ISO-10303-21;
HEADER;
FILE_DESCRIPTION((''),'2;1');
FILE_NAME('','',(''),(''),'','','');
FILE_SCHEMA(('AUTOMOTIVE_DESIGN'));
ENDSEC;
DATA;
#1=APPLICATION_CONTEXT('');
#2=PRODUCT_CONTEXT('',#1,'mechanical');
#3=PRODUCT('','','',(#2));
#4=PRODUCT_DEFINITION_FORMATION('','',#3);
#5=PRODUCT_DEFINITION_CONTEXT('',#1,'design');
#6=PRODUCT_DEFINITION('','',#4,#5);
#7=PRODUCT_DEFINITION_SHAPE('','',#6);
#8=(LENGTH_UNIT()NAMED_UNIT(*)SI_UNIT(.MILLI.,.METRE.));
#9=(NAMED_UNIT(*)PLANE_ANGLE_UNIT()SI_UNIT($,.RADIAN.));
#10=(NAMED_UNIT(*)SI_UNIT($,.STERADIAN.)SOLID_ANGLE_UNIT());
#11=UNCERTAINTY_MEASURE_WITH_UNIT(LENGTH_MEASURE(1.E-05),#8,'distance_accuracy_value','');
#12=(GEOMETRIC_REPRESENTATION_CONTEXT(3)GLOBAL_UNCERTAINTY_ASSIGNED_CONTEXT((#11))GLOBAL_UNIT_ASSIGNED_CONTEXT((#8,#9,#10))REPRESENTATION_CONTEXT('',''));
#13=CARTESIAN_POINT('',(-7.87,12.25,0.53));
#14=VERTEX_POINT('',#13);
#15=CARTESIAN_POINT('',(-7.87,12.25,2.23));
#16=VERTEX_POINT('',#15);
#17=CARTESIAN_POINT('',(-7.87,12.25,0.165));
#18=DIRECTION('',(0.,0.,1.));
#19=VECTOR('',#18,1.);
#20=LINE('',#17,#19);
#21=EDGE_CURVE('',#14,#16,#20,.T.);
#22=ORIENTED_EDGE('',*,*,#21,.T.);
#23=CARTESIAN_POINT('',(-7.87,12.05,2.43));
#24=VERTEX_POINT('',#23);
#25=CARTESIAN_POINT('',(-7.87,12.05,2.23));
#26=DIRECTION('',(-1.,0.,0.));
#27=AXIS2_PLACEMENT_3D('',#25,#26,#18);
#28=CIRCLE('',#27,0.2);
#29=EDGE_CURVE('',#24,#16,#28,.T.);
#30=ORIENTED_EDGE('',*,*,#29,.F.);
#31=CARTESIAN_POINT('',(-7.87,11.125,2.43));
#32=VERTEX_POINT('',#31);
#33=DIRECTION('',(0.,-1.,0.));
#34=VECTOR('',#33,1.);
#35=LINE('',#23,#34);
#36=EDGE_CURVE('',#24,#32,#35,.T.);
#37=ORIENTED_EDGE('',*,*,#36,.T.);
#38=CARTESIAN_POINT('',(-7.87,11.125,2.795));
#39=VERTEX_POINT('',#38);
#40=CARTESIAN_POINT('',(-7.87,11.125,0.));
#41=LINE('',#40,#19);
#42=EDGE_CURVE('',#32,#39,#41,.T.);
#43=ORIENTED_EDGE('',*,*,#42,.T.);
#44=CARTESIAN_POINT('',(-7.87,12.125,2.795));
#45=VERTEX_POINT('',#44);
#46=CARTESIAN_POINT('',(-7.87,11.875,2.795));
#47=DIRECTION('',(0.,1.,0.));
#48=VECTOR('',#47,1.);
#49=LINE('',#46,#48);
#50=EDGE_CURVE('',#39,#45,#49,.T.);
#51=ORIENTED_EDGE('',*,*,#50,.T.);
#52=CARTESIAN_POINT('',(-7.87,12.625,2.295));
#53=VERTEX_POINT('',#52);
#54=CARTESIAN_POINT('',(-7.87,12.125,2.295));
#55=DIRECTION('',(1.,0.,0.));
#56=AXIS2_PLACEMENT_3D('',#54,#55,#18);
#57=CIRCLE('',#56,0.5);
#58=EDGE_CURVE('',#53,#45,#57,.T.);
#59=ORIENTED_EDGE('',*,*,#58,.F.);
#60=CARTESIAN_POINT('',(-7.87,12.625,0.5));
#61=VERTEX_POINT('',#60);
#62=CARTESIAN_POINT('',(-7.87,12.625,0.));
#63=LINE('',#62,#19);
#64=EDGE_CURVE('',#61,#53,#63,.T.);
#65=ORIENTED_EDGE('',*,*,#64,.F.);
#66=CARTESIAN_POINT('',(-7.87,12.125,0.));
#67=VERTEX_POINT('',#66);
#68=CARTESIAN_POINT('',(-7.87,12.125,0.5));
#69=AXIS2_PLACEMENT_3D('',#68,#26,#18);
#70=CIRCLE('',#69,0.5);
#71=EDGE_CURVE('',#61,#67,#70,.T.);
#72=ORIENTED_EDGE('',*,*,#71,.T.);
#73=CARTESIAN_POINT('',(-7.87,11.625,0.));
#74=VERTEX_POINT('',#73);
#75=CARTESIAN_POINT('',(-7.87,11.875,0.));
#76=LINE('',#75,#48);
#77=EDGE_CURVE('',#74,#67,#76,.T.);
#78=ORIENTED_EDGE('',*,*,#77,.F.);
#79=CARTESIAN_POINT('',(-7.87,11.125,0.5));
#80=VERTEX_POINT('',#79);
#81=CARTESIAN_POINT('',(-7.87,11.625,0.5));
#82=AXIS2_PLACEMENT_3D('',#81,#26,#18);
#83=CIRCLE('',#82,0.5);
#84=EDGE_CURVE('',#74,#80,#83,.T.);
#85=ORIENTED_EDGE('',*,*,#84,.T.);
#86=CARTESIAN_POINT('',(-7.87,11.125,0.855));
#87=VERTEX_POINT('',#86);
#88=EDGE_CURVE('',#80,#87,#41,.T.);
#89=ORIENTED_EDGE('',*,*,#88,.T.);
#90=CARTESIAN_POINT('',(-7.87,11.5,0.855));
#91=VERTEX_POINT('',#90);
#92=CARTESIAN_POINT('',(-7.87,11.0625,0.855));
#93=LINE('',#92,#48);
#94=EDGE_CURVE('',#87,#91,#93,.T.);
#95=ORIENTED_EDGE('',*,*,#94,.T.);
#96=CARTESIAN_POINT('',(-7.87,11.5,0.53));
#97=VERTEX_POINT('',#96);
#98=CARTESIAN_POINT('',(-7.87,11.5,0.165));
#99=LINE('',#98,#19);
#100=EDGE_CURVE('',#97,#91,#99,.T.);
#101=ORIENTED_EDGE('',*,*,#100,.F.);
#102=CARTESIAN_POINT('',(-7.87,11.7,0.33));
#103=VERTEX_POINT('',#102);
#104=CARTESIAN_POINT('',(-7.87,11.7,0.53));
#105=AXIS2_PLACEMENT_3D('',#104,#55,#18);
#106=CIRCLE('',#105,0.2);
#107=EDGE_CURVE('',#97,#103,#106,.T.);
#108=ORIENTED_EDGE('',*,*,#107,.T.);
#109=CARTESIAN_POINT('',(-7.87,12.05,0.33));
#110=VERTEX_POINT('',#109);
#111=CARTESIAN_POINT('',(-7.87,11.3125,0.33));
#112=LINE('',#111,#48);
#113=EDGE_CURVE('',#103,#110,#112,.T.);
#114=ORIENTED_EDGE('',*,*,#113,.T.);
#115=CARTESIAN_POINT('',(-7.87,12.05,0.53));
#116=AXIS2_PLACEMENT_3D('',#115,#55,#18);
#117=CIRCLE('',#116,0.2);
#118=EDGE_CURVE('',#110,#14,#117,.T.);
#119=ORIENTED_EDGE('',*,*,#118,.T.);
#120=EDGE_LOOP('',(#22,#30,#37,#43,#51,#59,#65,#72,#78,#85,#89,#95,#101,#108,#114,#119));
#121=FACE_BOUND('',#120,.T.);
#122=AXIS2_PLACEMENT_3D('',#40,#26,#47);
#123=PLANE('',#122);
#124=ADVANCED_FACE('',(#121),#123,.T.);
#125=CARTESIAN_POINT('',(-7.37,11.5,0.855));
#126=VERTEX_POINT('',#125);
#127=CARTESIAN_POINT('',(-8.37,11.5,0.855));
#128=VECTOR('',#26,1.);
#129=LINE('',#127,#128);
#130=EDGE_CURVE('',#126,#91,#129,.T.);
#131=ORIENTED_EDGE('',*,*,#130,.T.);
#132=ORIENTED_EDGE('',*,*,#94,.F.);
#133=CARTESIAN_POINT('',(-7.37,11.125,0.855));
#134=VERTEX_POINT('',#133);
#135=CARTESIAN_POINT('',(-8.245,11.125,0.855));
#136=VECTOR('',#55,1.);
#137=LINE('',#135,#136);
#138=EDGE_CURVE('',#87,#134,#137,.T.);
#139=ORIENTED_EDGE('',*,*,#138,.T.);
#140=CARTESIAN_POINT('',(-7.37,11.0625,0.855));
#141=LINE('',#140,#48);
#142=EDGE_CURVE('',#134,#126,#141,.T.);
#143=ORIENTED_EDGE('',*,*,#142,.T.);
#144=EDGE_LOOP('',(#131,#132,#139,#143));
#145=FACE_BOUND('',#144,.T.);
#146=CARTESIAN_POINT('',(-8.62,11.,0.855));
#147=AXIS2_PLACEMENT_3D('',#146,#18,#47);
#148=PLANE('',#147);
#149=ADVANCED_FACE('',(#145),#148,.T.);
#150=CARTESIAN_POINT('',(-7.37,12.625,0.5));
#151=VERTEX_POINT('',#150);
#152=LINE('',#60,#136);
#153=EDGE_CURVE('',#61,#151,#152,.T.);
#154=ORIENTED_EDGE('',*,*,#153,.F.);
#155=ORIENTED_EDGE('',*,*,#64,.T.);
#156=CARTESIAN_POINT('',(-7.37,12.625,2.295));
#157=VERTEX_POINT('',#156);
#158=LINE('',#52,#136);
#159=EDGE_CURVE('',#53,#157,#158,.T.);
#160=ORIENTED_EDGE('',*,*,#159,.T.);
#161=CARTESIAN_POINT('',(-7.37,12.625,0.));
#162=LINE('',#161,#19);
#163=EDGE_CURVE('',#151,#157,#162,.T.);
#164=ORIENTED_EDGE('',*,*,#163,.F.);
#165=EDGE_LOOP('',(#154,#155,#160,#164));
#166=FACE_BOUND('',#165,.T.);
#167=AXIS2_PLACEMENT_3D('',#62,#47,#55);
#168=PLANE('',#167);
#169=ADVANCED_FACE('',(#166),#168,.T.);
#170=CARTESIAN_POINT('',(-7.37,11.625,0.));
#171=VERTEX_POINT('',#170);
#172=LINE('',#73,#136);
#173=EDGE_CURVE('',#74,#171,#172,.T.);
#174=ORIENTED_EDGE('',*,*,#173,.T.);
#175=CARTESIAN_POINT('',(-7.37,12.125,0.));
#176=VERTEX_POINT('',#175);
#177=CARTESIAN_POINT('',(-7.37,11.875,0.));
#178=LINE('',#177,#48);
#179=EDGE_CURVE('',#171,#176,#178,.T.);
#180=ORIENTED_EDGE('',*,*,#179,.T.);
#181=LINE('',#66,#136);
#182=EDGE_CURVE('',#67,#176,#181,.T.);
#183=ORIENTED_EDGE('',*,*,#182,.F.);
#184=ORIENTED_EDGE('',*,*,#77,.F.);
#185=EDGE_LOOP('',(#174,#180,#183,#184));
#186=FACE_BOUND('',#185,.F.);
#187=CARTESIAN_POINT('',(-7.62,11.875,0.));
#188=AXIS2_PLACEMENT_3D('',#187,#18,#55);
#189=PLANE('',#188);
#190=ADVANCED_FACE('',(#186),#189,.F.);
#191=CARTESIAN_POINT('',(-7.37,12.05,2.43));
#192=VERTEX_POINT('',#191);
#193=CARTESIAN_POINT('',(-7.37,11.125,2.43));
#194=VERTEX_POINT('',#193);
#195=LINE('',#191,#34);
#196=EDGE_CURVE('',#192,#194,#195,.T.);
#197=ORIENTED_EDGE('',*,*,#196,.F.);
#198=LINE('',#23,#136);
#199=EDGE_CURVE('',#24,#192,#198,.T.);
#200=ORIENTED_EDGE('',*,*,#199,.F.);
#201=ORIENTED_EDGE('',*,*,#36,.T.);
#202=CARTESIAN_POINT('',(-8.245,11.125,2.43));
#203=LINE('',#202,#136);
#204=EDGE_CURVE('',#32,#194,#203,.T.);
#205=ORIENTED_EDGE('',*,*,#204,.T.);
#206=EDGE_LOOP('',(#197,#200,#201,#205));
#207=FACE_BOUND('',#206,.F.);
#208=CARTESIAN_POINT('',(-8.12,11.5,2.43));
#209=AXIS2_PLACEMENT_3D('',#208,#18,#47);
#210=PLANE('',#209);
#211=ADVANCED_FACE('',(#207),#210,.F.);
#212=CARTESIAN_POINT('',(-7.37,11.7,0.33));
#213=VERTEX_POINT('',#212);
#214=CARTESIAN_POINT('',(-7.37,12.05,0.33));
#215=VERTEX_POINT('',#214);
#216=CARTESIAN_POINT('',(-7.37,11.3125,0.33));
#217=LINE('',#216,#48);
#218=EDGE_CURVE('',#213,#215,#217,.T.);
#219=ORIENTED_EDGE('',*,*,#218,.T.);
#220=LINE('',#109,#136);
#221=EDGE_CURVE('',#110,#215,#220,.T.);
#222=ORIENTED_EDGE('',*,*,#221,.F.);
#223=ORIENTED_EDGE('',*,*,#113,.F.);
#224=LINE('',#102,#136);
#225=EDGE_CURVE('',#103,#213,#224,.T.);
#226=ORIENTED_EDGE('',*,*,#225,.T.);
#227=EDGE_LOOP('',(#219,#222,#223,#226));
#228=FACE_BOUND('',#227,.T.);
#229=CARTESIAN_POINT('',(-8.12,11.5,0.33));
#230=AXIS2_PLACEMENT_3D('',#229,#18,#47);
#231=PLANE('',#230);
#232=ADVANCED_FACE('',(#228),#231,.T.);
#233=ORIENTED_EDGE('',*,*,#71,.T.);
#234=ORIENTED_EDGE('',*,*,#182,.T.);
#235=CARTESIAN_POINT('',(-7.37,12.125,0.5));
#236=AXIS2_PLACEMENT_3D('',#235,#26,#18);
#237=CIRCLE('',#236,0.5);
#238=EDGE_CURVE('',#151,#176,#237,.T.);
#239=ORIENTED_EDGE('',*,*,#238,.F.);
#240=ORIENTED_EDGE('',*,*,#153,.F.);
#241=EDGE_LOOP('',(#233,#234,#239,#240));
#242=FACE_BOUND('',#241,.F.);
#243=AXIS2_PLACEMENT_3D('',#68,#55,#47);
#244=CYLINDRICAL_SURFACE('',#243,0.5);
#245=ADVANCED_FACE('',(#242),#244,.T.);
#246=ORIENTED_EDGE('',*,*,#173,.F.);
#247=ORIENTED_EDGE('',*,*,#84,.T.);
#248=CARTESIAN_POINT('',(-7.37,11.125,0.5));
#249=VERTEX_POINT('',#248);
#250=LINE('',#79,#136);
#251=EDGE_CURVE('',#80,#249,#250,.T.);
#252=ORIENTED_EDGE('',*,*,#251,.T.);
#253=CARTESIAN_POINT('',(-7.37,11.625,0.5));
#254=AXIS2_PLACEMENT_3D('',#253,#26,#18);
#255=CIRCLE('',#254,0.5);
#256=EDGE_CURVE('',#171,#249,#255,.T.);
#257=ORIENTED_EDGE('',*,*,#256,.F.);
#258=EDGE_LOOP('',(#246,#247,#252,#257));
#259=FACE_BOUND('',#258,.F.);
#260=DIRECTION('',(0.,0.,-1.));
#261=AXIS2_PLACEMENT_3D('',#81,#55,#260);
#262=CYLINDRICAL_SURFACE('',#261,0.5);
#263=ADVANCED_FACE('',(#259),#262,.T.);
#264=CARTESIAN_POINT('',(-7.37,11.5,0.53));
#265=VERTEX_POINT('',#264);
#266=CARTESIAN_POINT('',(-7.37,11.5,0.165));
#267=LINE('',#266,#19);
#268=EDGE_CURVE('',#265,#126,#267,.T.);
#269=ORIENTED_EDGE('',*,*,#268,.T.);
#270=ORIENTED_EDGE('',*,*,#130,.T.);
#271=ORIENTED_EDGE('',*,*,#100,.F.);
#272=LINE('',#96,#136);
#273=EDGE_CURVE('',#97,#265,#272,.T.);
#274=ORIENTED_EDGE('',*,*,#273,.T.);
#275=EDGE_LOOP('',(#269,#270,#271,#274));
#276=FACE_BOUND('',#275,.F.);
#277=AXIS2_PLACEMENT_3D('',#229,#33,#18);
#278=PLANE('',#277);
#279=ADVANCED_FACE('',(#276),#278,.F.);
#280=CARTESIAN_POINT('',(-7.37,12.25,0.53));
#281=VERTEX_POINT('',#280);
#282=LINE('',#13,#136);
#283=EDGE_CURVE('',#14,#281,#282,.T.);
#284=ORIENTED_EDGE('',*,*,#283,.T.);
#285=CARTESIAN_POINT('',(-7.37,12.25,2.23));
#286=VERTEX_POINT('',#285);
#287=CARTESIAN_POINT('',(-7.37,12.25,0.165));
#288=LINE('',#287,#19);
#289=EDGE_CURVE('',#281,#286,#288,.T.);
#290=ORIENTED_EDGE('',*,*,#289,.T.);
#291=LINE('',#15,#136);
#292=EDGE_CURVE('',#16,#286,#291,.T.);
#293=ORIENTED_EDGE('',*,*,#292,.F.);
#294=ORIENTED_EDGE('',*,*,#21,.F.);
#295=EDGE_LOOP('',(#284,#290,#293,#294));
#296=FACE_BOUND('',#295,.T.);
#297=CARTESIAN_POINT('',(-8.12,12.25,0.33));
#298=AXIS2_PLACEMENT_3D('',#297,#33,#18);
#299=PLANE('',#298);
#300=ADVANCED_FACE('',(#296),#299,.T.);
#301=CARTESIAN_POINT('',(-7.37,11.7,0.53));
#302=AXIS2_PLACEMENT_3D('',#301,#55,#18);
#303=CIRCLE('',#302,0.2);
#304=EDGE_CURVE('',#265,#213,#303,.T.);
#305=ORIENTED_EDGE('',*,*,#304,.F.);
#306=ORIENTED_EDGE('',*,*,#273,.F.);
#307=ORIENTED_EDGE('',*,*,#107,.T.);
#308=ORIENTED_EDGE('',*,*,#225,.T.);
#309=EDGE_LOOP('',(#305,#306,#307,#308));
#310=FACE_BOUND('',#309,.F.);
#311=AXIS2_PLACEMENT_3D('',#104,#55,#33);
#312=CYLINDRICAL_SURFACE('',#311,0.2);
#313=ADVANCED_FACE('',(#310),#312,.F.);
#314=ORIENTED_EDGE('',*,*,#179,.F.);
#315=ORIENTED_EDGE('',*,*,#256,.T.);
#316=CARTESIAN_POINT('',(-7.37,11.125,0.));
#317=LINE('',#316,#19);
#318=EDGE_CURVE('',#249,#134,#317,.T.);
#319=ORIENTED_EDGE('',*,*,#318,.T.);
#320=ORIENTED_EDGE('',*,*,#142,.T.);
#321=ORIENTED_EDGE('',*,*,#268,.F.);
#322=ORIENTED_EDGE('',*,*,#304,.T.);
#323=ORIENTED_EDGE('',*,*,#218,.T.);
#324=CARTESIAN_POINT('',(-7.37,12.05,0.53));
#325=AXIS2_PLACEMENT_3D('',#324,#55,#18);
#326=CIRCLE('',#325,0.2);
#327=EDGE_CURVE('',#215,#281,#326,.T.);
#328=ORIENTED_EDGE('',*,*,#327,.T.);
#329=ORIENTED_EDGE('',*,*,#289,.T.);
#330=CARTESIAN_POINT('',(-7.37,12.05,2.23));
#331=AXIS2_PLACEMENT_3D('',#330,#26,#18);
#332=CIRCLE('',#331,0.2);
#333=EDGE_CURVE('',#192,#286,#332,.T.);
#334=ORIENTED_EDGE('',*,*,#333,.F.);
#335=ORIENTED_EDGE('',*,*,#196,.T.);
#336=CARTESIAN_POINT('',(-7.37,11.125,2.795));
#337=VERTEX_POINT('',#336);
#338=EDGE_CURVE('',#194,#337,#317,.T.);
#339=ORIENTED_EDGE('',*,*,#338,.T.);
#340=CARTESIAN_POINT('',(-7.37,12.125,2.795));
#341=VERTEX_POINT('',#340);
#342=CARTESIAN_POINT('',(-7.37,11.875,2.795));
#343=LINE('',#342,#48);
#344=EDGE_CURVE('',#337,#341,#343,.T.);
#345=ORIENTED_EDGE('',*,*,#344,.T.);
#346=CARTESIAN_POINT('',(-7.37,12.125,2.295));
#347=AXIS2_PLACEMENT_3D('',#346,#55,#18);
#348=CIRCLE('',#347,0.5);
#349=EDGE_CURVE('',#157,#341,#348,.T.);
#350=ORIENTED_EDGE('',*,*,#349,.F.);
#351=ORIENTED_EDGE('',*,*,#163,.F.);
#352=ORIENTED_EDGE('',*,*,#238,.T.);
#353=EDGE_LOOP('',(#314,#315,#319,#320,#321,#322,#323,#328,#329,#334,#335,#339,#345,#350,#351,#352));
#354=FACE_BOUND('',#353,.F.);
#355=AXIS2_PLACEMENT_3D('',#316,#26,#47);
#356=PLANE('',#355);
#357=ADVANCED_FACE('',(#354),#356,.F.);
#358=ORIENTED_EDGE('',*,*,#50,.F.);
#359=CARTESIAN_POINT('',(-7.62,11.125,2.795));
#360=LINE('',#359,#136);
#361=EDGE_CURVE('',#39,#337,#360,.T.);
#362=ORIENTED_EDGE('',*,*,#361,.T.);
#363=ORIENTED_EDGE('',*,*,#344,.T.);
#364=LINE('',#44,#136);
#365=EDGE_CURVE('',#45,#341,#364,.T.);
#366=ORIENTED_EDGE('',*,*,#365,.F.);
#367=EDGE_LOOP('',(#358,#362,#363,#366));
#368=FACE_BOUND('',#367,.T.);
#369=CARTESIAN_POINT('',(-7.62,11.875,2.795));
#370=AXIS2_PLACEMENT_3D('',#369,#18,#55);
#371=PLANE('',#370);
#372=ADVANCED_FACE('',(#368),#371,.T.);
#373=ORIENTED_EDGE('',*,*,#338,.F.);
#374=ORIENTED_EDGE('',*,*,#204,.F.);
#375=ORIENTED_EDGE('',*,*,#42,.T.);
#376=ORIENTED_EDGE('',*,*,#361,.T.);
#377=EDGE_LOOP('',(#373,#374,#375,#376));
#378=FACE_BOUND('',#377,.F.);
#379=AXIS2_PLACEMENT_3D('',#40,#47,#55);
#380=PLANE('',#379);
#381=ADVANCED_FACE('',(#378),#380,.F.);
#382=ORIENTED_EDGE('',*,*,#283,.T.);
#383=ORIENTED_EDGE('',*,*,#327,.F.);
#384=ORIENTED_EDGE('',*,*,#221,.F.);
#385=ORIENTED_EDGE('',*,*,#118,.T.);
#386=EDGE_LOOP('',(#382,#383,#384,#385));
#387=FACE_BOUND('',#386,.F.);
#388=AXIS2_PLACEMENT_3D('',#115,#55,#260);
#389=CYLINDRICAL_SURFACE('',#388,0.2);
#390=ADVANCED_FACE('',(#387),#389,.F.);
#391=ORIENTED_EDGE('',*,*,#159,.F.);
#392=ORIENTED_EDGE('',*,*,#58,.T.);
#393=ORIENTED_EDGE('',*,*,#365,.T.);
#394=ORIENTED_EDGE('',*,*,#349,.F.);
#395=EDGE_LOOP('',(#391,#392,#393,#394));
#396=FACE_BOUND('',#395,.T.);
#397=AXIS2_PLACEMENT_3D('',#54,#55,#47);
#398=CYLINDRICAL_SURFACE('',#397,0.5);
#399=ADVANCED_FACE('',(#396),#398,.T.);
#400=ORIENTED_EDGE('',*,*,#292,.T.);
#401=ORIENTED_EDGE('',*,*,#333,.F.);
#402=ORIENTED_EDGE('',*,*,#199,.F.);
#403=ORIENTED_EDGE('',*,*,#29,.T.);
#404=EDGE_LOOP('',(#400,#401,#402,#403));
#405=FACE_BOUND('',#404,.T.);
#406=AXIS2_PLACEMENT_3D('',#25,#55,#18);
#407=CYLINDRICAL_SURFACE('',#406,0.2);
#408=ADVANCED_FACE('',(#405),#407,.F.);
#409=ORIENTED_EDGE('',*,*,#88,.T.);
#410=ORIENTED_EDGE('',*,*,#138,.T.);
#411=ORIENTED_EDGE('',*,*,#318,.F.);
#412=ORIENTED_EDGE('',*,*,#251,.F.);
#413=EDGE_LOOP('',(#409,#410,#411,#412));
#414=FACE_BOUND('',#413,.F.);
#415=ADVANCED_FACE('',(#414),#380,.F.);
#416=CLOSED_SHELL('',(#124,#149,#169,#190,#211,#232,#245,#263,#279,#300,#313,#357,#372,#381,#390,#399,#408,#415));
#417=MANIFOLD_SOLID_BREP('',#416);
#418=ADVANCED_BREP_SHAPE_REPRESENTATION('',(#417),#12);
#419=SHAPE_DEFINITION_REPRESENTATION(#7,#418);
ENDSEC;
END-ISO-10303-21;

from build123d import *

# Parameters (mm, degrees)
BOX129_W     = 0.5
BOX129_H     = 1.5
BOX129_DEPTH = 2.795
FILLET302_R  = 0.5
FILLET313_R  = 0.5
FILLET325_R  = 0.5
BOX139_W     = 0.75
BOX139_H     = 2.1
BOX139_DEPTH = 1
FILLET315_R  = 0.2
FILLET307_R  = 0.2
FILLET303_R  = 0.2
FILLET326_R  = 0.2
BOX145_W     = 1
BOX145_H     = 1.575
BOX145_DEPTH = 3


with BuildPart() as part:
    # Box129 → Box129 (join)
    with BuildSketch(Plane(origin=(-0.25, 11.125, 0), x_dir=(1, 0, 0), z_dir=(0, 0, 1))):
        with Locations((0.25, 0.75)):
            Rectangle(BOX129_W, BOX129_H)
    extrude(amount=BOX129_DEPTH)

    # Fillet302
    fillet302_edges = [part.edges().sort_by_distance(p)[0] for p in [
        (0, 12.625, 0),
    ]]
    fillet(fillet302_edges, radius=FILLET302_R)

    # Fillet313
    fillet313_edges = [part.edges().sort_by_distance(p)[0] for p in [
        (0, 12.625, 2.795),
    ]]
    fillet(fillet313_edges, radius=FILLET313_R)

    # Fillet325
    fillet325_edges = [part.edges().sort_by_distance(p)[0] for p in [
        (0, 11.125, 0),
    ]]
    fillet(fillet325_edges, radius=FILLET325_R)

    # Box139 → Box139 (cut)
    with BuildSketch(Plane(origin=(-0.5, 11.5, 0.33), x_dir=(0, 1, 0), z_dir=(1, 0, 0))):
        with Locations((0.375, 1.05)):
            Rectangle(BOX139_W, BOX139_H)
    extrude(amount=BOX139_DEPTH, mode=Mode.SUBTRACT)

    # Fillet315
    fillet315_edges = [part.edges().sort_by_distance(p)[0] for p in [
        (0, 11.5, 0.33),
    ]]
    fillet(fillet315_edges, radius=FILLET315_R)

    # Fillet307
    fillet307_edges = [part.edges().sort_by_distance(p)[0] for p in [
        (0, 12.25, 0.33),
    ]]
    fillet(fillet307_edges, radius=FILLET307_R)

    # Fillet303
    fillet303_edges = [part.edges().sort_by_distance(p)[0] for p in [
        (0, 11.5, 2.43),
    ]]
    fillet(fillet303_edges, radius=FILLET303_R)

    # Fillet326
    fillet326_edges = [part.edges().sort_by_distance(p)[0] for p in [
        (0, 12.25, 2.43),
    ]]
    fillet(fillet326_edges, radius=FILLET326_R)

    # Box145 → Box145 (cut)
    with BuildSketch(Plane(origin=(-1, 11, 0.855), x_dir=(0, 1, 0), z_dir=(1, 0, 0))):
        with Locations((0.5, 0.7875)):
            Rectangle(BOX145_W, BOX145_H)
    extrude(amount=BOX145_DEPTH, mode=Mode.SUBTRACT)


with BuildPart() as part_1:
    # Body046 placement: moved
    add(part.part.moved(Location((-7.62, 0, 0))))


solid = part_1.part
